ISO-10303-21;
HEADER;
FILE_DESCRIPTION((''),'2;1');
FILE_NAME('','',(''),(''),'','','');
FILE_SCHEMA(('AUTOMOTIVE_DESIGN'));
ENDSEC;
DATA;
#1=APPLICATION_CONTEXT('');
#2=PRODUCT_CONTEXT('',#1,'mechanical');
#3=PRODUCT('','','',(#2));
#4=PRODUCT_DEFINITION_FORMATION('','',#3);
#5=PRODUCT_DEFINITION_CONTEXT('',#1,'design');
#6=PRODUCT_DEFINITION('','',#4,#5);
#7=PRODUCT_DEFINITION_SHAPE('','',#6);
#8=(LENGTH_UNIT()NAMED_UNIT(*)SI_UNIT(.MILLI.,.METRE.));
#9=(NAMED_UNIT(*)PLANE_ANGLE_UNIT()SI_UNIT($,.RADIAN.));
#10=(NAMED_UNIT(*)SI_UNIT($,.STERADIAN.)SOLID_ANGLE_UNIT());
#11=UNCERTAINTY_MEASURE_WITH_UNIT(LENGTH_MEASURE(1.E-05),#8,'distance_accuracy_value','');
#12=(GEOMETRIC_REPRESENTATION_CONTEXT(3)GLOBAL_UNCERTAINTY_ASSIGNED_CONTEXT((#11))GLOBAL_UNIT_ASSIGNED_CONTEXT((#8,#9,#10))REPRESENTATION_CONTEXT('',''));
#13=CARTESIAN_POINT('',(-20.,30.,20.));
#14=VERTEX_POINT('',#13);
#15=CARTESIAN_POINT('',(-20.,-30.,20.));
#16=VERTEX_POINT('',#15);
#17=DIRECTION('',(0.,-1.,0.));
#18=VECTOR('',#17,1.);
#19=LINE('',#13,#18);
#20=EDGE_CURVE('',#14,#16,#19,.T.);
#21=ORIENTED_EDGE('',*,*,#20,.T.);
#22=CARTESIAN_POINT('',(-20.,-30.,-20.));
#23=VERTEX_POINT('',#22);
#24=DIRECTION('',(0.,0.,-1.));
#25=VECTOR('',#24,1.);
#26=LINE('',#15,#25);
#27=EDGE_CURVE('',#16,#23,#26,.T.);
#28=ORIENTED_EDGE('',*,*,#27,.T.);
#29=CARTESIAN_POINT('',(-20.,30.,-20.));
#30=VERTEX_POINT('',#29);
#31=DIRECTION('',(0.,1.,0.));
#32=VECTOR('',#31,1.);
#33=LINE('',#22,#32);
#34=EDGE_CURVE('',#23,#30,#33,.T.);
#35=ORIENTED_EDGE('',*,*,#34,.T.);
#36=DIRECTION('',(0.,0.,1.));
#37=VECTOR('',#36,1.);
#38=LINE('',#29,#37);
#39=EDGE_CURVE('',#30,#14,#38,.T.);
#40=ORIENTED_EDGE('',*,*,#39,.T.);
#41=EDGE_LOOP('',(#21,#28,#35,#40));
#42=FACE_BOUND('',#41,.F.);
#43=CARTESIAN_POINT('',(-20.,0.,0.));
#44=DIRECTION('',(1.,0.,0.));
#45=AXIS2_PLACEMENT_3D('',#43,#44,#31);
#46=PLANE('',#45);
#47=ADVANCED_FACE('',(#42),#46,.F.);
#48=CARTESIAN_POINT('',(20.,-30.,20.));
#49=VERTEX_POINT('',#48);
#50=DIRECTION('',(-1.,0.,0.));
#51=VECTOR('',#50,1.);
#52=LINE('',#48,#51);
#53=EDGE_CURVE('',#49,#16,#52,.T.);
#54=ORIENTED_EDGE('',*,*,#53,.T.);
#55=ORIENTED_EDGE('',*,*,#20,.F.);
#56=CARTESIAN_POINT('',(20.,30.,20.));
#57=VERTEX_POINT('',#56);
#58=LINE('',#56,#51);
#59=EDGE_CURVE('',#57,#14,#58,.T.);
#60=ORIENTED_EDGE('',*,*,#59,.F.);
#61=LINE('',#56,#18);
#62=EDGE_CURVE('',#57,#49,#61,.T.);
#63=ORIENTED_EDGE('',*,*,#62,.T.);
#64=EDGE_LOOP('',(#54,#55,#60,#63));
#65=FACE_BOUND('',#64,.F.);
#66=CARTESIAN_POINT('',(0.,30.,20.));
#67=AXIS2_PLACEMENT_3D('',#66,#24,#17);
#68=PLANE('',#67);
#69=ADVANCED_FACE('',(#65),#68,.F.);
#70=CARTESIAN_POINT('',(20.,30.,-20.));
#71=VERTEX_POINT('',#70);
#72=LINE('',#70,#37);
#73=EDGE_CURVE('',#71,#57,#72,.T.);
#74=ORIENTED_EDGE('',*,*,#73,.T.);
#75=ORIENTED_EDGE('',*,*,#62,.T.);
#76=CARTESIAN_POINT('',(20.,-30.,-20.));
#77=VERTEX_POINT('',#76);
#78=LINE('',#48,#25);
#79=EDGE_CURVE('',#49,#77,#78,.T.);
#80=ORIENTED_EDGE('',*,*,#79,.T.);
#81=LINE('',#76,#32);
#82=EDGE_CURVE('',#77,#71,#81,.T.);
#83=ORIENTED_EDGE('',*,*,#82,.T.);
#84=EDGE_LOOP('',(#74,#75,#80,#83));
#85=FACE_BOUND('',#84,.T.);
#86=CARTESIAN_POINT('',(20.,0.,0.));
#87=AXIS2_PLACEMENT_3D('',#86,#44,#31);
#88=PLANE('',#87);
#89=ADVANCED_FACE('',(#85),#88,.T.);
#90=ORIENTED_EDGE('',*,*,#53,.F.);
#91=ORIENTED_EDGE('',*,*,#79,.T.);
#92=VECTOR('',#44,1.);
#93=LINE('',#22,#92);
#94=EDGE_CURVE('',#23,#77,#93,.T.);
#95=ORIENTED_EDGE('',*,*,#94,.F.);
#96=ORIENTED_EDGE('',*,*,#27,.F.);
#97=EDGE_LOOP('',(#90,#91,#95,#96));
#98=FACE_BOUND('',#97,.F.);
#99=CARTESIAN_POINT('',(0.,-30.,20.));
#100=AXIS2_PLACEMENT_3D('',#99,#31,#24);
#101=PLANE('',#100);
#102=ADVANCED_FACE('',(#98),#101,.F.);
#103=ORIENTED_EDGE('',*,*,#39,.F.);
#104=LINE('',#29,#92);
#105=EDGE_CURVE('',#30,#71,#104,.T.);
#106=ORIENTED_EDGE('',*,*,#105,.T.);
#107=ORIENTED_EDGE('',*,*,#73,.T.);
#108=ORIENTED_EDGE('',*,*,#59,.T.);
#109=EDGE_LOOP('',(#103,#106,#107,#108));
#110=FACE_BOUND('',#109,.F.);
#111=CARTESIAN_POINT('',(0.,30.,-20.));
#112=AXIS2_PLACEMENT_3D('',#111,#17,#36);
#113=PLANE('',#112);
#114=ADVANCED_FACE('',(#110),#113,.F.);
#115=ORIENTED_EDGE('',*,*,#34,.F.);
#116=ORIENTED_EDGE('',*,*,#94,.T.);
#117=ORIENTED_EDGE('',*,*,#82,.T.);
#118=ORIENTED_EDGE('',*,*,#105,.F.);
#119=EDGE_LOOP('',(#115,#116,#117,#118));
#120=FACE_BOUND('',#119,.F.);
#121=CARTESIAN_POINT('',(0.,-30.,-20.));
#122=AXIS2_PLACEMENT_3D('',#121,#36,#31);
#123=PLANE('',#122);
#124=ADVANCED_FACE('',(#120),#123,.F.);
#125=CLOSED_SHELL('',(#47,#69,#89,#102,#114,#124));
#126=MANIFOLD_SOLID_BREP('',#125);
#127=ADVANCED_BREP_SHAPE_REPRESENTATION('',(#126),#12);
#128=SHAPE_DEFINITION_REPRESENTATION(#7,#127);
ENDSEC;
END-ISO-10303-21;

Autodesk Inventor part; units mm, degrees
ref_plane "YZ Plane" through (0, 0, 0) normal (1, 0, 0) x (0, 1, 0)
ref_plane "XZ Plane" through (0, 0, 0) normal (0, 1, 0) x (-1, 0, 0)
ref_plane "XY Plane" through (0, 0, 0) normal (0, 0, 1) x (1, 0, 0)
sketch "Эскиз1" plane through (0, 0, 0) normal (1, 0, 0) x (0, 1, 0)
  line L0 (-30, -20) -> (30, -20)
  line L1 (30, -20) -> (30, 20)
  line L2 (30, 20) -> (-30, 20)
  line L3 (-30, 20) -> (-30, -20)
  line L4 (-30, -20) -> (30, 20) construction
  line L5 (30, -20) -> (-30, 20) construction
  point P0 (0, 0)
  dimension "d0" = 60
  dimension "d1" = 40
extrude "Выдавливание1" add sketch "Эскиз1" along normal mid plane 40
properties part number "подпорка(МОЖНОМЕНЯТЬ)" material "Древесина (береза)"
